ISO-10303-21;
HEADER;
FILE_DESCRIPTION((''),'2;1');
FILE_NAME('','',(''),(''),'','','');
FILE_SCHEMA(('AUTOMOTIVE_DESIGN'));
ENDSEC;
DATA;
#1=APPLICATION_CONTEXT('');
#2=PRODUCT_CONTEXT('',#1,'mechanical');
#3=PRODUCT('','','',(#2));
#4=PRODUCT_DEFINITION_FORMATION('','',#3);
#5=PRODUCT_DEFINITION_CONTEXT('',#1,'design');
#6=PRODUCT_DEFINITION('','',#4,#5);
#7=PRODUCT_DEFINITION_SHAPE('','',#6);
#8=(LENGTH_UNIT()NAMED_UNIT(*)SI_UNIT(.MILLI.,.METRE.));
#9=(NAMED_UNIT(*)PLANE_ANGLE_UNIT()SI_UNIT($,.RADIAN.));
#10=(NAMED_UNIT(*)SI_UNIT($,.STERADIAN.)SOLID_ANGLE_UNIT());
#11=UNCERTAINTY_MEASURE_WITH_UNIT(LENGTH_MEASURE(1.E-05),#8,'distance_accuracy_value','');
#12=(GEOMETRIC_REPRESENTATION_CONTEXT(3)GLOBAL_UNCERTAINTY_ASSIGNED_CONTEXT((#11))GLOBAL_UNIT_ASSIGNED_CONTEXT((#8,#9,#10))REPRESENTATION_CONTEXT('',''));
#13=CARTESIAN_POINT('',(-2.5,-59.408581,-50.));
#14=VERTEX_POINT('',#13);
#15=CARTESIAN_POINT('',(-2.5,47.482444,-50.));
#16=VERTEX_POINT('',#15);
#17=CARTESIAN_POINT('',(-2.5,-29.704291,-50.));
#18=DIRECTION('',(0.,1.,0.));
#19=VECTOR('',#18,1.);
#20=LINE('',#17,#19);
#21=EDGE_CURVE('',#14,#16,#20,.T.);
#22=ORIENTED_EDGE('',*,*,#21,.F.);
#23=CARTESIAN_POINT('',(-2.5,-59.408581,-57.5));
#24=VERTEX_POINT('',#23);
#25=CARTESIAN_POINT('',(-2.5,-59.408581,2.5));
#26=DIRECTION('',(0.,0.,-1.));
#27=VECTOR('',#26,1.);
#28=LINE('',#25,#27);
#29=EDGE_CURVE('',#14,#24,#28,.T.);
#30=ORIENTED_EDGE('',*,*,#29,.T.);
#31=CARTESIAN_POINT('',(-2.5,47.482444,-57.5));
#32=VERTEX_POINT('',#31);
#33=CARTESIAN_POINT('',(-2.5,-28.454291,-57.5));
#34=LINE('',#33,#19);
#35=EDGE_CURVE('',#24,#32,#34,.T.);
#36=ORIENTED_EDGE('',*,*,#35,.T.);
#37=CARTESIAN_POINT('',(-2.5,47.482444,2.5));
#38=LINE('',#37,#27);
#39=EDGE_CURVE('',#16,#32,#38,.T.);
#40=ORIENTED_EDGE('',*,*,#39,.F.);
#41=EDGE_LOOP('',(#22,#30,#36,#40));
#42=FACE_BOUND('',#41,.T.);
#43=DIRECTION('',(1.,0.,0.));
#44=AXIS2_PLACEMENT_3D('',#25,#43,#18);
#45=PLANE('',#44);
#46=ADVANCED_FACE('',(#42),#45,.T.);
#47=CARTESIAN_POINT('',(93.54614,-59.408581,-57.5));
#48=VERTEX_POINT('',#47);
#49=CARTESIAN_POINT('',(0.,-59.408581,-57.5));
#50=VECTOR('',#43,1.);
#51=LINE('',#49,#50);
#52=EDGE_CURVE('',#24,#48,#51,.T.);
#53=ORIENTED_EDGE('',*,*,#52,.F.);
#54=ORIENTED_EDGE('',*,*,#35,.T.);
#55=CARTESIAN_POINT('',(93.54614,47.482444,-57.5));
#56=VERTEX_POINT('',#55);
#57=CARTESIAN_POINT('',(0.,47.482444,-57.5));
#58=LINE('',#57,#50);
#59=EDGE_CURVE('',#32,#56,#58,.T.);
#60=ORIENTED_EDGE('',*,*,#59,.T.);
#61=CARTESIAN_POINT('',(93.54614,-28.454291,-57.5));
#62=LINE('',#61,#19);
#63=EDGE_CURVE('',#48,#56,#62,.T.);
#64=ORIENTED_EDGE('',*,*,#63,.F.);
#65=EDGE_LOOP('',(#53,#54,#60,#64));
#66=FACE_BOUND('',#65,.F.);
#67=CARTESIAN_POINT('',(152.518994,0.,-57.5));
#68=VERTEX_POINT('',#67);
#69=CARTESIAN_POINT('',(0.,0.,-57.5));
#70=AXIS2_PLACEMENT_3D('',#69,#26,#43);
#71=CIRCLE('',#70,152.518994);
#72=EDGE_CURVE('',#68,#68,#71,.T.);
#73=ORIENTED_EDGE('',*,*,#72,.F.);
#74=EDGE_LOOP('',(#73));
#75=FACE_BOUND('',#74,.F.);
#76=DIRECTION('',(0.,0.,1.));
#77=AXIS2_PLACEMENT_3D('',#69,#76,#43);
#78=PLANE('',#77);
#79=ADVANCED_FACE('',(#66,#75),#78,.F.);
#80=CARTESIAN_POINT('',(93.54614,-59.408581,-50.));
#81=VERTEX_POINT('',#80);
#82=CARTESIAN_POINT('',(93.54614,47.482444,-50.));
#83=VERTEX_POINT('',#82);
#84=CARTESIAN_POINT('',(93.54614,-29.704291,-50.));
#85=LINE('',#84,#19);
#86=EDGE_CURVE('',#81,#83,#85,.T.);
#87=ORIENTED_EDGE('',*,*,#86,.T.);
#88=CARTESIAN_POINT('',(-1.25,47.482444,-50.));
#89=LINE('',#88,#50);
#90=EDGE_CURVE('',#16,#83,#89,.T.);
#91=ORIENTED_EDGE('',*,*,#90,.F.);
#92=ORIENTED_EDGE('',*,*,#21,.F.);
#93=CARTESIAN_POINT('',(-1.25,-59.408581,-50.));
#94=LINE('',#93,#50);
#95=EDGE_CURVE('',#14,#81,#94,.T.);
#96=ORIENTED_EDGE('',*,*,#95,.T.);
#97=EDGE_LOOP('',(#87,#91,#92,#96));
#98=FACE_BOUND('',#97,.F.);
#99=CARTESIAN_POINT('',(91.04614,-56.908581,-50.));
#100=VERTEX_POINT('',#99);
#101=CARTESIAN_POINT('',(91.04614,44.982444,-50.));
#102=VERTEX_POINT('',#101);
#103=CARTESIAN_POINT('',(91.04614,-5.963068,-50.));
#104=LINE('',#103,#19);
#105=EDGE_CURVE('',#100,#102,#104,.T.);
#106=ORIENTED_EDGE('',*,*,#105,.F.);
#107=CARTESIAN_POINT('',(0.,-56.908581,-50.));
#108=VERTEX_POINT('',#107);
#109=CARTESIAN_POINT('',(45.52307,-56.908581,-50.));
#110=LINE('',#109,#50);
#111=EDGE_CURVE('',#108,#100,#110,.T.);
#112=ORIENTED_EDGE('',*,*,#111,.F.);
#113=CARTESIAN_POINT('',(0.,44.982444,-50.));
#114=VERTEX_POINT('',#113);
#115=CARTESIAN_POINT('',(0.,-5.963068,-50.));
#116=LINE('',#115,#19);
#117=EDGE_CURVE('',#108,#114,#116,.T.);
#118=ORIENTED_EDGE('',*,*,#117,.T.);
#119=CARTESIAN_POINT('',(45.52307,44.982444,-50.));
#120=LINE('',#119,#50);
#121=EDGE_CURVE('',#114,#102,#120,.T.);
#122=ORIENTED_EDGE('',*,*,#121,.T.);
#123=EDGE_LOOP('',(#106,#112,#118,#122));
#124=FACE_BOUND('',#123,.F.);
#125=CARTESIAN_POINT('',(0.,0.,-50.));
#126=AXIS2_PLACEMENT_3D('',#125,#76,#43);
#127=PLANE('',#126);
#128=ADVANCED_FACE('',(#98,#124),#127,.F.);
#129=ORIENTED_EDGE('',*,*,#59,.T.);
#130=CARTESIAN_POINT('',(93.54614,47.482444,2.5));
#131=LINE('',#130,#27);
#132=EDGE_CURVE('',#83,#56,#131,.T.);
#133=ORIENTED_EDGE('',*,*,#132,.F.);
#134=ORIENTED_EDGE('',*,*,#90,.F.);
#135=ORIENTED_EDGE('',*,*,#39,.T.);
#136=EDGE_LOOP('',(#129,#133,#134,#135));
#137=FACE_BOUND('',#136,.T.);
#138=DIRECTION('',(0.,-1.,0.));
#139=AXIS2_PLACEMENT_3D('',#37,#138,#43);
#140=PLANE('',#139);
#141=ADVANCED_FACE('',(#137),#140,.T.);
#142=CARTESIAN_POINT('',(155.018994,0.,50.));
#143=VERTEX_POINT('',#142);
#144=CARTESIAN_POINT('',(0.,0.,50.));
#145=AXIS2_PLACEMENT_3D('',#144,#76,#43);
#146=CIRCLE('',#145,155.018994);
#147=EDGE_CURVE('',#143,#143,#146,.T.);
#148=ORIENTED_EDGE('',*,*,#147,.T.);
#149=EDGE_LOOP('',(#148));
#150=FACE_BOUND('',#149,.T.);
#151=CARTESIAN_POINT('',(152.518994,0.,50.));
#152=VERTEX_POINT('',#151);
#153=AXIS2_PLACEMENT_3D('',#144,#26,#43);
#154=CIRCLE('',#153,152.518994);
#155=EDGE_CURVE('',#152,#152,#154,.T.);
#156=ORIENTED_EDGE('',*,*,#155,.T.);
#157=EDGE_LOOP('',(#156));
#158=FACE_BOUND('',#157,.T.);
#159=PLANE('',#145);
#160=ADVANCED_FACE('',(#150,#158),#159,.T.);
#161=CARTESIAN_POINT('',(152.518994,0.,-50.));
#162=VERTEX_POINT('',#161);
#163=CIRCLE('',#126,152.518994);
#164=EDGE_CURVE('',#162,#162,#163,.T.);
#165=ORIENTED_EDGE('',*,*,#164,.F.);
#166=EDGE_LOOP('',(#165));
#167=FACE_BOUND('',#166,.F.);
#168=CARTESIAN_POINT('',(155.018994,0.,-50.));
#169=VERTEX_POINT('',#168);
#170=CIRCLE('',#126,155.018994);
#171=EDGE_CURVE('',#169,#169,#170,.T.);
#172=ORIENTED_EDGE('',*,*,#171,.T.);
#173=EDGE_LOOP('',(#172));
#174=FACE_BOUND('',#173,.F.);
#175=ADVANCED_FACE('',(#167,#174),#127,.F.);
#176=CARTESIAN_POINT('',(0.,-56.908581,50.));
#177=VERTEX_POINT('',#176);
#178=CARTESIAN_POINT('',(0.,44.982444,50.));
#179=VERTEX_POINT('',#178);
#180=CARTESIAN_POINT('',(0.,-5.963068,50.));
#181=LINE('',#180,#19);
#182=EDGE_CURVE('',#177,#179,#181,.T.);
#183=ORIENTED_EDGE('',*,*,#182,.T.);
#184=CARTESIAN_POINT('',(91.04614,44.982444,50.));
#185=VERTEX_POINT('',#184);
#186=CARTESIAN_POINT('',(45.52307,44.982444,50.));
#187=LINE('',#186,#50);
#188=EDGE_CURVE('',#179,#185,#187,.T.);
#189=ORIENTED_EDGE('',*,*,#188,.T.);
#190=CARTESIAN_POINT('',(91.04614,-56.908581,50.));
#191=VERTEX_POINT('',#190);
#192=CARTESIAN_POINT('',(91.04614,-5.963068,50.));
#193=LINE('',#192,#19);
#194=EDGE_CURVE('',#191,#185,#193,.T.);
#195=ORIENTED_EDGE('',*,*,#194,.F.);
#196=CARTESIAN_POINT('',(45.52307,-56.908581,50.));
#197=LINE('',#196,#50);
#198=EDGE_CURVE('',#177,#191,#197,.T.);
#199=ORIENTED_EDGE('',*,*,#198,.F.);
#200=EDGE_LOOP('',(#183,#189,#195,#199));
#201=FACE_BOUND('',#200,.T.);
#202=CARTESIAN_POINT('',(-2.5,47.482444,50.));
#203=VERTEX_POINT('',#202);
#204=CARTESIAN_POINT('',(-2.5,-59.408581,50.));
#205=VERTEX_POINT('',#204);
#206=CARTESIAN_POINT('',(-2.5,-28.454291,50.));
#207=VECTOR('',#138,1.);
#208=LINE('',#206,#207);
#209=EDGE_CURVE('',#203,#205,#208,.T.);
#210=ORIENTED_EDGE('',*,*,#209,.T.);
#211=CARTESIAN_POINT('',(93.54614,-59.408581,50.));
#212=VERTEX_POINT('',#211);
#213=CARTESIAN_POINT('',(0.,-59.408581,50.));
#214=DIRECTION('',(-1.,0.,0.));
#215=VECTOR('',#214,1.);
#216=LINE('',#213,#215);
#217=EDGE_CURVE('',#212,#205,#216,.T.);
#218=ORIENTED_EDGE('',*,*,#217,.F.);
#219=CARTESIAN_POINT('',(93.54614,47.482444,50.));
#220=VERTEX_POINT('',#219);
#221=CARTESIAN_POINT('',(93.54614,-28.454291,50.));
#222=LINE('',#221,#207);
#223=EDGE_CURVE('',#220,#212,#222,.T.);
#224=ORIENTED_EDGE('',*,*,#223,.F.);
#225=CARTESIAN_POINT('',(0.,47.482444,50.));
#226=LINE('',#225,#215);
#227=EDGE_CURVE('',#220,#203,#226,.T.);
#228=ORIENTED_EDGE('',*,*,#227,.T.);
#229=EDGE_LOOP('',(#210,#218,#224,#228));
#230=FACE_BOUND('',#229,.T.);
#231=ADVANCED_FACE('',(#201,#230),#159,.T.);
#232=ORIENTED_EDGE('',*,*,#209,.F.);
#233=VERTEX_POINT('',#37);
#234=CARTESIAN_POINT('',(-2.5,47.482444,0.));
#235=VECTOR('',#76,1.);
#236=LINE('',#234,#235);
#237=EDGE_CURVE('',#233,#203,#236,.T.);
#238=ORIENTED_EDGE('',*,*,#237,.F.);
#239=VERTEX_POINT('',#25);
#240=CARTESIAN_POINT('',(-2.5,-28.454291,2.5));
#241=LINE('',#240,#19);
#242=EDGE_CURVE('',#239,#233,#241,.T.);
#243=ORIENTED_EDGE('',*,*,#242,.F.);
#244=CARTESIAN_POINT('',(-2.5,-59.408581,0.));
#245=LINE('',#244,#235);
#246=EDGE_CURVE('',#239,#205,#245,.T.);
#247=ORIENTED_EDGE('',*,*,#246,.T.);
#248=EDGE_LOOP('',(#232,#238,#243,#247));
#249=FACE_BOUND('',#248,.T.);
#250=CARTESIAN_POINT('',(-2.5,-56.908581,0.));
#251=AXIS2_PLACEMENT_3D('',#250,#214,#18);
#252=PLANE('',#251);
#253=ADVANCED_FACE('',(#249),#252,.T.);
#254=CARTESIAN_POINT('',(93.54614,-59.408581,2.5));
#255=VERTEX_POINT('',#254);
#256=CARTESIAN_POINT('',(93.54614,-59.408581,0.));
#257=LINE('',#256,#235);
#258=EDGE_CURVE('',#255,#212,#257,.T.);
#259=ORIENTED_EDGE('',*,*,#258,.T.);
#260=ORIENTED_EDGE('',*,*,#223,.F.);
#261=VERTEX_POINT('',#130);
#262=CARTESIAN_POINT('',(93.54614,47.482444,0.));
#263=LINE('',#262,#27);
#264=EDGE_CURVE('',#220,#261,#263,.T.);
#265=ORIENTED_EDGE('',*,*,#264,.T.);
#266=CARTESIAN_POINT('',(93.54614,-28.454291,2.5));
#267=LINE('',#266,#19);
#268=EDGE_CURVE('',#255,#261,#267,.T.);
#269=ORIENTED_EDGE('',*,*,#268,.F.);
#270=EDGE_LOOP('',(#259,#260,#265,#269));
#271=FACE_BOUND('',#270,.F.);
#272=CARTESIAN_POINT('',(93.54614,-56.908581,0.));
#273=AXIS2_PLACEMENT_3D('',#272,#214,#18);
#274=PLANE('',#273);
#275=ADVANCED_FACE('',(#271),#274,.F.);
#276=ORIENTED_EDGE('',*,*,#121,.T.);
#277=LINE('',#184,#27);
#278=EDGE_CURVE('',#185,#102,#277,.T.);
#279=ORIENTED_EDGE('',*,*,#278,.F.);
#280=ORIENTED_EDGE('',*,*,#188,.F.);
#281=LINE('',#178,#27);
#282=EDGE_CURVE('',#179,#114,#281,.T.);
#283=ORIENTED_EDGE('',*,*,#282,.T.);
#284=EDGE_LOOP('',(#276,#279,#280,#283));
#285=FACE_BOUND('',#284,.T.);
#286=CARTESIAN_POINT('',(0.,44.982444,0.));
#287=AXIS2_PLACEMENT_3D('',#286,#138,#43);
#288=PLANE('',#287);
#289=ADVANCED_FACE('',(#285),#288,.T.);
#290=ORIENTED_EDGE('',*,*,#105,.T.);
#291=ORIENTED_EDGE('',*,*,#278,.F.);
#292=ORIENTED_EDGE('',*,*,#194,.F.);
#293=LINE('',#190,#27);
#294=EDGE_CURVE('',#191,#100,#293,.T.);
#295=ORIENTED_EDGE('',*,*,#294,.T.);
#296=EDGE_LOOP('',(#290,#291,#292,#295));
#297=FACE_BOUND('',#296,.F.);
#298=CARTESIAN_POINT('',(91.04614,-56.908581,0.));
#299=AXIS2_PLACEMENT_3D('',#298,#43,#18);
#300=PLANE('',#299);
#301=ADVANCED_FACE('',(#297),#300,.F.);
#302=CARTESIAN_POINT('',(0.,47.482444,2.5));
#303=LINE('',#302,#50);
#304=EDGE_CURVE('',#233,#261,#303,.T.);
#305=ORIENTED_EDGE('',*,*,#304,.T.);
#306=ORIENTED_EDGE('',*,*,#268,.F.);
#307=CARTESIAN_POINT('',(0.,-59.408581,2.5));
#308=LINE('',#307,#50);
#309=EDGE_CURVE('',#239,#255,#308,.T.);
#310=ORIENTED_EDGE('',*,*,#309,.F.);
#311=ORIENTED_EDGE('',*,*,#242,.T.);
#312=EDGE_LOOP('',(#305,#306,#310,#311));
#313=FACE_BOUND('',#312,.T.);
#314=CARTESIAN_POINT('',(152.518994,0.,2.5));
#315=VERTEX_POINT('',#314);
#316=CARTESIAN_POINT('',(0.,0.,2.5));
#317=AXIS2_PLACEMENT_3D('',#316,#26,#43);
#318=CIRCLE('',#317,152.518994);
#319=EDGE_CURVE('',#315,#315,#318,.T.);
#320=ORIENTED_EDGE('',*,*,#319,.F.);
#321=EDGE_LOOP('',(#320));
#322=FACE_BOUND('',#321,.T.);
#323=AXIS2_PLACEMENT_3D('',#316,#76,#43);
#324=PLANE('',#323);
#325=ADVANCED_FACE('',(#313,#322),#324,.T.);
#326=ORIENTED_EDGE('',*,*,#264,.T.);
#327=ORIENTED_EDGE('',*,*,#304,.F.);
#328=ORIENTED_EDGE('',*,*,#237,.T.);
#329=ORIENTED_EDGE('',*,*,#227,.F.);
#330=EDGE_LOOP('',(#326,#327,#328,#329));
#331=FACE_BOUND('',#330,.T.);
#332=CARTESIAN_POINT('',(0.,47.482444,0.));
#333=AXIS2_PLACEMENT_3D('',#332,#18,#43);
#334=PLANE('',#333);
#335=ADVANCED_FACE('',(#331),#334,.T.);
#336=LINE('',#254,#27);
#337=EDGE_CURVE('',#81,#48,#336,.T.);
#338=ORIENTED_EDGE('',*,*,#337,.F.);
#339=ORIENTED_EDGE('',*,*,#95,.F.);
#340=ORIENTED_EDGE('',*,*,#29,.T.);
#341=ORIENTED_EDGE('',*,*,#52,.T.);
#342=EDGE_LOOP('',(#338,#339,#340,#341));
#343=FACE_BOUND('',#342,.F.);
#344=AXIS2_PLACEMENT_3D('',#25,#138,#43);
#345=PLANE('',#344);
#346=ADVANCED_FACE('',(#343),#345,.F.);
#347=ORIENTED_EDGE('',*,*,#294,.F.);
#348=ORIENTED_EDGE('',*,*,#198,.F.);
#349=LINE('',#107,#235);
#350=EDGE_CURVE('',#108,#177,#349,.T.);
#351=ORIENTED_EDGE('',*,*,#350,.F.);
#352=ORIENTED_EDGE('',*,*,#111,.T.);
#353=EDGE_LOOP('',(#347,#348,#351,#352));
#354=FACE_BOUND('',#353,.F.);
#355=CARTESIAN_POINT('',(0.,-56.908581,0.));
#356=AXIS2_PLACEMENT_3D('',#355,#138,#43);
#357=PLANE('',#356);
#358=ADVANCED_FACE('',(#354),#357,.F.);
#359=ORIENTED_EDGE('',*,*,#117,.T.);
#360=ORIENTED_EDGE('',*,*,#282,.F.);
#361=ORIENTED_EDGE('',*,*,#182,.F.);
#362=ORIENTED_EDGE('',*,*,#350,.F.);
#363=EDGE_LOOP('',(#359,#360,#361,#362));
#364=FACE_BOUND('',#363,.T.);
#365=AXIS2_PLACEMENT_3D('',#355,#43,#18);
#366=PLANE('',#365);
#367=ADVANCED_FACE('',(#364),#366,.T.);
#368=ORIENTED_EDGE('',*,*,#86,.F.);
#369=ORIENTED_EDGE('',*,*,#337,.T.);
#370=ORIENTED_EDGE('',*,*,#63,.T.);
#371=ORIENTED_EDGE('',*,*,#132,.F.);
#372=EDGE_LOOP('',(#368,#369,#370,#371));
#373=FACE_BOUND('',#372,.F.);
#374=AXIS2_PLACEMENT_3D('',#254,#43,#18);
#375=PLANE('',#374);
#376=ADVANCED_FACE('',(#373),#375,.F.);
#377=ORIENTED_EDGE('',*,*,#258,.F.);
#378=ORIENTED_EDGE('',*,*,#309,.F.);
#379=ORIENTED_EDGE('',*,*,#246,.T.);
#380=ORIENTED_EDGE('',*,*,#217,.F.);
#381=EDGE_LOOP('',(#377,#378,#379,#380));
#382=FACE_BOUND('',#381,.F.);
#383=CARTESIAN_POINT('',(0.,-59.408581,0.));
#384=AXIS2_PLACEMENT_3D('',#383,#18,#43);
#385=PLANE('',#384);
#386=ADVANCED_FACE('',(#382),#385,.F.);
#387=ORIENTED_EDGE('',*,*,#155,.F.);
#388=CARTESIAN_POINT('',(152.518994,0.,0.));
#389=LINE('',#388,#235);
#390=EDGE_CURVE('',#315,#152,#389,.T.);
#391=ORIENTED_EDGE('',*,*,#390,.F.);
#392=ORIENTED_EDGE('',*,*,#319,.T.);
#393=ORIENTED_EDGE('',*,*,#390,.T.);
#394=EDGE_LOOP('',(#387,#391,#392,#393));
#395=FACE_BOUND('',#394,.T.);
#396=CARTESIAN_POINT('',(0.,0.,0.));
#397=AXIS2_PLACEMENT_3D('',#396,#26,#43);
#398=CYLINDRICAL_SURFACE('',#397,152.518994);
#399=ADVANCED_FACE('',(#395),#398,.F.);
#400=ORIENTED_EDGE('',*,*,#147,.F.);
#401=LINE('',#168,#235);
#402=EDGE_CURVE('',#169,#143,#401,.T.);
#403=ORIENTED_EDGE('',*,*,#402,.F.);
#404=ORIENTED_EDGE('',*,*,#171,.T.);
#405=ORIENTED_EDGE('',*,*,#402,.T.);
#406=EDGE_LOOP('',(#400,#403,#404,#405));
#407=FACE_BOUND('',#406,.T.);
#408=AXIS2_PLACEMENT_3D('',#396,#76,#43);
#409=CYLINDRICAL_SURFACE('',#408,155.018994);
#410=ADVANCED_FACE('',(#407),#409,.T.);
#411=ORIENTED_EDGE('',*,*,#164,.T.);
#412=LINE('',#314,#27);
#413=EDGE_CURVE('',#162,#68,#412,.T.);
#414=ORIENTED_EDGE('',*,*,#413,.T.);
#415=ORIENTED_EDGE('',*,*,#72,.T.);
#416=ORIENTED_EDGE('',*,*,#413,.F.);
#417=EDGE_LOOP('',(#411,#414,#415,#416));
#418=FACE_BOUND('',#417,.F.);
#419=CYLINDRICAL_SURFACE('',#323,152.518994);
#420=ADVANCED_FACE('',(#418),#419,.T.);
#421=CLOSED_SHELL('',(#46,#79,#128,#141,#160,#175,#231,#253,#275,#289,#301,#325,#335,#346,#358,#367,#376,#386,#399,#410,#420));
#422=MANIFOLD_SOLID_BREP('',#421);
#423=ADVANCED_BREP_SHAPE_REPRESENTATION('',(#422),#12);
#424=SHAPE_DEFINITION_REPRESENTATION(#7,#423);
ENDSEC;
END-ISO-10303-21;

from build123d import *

# Parameters (mm, degrees)
F0_R     = 155.0189943433
F0_W     = 91.0461395979
F0_H     = 101.8910259008
F1_DEPTH = 50
F2_T     = -2.5
F3_DEPTH = 50
F4_DEPTH = 60


with BuildPart() as f1:
    # F0 (on Top) → F1 (new body)
    with BuildSketch(Plane.XY):
        Circle(F0_R)
        with Locations((45.5230697989, -5.9630684555)):
            Rectangle(F0_W, F0_H, mode=Mode.SUBTRACT)
    extrude(amount=F1_DEPTH)

    # F2
    f2_openings = [f1.faces().sort_by_distance(p)[0] for p in [
        (-6.37749, 0.835388, 50),
    ]]
    offset(amount=F2_T, openings=f2_openings, kind=Kind.INTERSECTION)

    # F0 (on Top) → F3 (join)
    with BuildSketch(Plane.XY):
        Circle(F0_R)
        with Locations((45.5230697989, -5.9630684555)):
            Rectangle(F0_W, F0_H, mode=Mode.SUBTRACT)
    extrude(amount=-F3_DEPTH)

    # F4 (add): a face of the model
    f4_faces = [f1.faces().sort_by_distance(p)[0] for p in [
        (-7.4404710718, 0.9746275578, 2.5),
    ]]
    extrude(f4_faces, amount=-F4_DEPTH)


solid = f1.part
